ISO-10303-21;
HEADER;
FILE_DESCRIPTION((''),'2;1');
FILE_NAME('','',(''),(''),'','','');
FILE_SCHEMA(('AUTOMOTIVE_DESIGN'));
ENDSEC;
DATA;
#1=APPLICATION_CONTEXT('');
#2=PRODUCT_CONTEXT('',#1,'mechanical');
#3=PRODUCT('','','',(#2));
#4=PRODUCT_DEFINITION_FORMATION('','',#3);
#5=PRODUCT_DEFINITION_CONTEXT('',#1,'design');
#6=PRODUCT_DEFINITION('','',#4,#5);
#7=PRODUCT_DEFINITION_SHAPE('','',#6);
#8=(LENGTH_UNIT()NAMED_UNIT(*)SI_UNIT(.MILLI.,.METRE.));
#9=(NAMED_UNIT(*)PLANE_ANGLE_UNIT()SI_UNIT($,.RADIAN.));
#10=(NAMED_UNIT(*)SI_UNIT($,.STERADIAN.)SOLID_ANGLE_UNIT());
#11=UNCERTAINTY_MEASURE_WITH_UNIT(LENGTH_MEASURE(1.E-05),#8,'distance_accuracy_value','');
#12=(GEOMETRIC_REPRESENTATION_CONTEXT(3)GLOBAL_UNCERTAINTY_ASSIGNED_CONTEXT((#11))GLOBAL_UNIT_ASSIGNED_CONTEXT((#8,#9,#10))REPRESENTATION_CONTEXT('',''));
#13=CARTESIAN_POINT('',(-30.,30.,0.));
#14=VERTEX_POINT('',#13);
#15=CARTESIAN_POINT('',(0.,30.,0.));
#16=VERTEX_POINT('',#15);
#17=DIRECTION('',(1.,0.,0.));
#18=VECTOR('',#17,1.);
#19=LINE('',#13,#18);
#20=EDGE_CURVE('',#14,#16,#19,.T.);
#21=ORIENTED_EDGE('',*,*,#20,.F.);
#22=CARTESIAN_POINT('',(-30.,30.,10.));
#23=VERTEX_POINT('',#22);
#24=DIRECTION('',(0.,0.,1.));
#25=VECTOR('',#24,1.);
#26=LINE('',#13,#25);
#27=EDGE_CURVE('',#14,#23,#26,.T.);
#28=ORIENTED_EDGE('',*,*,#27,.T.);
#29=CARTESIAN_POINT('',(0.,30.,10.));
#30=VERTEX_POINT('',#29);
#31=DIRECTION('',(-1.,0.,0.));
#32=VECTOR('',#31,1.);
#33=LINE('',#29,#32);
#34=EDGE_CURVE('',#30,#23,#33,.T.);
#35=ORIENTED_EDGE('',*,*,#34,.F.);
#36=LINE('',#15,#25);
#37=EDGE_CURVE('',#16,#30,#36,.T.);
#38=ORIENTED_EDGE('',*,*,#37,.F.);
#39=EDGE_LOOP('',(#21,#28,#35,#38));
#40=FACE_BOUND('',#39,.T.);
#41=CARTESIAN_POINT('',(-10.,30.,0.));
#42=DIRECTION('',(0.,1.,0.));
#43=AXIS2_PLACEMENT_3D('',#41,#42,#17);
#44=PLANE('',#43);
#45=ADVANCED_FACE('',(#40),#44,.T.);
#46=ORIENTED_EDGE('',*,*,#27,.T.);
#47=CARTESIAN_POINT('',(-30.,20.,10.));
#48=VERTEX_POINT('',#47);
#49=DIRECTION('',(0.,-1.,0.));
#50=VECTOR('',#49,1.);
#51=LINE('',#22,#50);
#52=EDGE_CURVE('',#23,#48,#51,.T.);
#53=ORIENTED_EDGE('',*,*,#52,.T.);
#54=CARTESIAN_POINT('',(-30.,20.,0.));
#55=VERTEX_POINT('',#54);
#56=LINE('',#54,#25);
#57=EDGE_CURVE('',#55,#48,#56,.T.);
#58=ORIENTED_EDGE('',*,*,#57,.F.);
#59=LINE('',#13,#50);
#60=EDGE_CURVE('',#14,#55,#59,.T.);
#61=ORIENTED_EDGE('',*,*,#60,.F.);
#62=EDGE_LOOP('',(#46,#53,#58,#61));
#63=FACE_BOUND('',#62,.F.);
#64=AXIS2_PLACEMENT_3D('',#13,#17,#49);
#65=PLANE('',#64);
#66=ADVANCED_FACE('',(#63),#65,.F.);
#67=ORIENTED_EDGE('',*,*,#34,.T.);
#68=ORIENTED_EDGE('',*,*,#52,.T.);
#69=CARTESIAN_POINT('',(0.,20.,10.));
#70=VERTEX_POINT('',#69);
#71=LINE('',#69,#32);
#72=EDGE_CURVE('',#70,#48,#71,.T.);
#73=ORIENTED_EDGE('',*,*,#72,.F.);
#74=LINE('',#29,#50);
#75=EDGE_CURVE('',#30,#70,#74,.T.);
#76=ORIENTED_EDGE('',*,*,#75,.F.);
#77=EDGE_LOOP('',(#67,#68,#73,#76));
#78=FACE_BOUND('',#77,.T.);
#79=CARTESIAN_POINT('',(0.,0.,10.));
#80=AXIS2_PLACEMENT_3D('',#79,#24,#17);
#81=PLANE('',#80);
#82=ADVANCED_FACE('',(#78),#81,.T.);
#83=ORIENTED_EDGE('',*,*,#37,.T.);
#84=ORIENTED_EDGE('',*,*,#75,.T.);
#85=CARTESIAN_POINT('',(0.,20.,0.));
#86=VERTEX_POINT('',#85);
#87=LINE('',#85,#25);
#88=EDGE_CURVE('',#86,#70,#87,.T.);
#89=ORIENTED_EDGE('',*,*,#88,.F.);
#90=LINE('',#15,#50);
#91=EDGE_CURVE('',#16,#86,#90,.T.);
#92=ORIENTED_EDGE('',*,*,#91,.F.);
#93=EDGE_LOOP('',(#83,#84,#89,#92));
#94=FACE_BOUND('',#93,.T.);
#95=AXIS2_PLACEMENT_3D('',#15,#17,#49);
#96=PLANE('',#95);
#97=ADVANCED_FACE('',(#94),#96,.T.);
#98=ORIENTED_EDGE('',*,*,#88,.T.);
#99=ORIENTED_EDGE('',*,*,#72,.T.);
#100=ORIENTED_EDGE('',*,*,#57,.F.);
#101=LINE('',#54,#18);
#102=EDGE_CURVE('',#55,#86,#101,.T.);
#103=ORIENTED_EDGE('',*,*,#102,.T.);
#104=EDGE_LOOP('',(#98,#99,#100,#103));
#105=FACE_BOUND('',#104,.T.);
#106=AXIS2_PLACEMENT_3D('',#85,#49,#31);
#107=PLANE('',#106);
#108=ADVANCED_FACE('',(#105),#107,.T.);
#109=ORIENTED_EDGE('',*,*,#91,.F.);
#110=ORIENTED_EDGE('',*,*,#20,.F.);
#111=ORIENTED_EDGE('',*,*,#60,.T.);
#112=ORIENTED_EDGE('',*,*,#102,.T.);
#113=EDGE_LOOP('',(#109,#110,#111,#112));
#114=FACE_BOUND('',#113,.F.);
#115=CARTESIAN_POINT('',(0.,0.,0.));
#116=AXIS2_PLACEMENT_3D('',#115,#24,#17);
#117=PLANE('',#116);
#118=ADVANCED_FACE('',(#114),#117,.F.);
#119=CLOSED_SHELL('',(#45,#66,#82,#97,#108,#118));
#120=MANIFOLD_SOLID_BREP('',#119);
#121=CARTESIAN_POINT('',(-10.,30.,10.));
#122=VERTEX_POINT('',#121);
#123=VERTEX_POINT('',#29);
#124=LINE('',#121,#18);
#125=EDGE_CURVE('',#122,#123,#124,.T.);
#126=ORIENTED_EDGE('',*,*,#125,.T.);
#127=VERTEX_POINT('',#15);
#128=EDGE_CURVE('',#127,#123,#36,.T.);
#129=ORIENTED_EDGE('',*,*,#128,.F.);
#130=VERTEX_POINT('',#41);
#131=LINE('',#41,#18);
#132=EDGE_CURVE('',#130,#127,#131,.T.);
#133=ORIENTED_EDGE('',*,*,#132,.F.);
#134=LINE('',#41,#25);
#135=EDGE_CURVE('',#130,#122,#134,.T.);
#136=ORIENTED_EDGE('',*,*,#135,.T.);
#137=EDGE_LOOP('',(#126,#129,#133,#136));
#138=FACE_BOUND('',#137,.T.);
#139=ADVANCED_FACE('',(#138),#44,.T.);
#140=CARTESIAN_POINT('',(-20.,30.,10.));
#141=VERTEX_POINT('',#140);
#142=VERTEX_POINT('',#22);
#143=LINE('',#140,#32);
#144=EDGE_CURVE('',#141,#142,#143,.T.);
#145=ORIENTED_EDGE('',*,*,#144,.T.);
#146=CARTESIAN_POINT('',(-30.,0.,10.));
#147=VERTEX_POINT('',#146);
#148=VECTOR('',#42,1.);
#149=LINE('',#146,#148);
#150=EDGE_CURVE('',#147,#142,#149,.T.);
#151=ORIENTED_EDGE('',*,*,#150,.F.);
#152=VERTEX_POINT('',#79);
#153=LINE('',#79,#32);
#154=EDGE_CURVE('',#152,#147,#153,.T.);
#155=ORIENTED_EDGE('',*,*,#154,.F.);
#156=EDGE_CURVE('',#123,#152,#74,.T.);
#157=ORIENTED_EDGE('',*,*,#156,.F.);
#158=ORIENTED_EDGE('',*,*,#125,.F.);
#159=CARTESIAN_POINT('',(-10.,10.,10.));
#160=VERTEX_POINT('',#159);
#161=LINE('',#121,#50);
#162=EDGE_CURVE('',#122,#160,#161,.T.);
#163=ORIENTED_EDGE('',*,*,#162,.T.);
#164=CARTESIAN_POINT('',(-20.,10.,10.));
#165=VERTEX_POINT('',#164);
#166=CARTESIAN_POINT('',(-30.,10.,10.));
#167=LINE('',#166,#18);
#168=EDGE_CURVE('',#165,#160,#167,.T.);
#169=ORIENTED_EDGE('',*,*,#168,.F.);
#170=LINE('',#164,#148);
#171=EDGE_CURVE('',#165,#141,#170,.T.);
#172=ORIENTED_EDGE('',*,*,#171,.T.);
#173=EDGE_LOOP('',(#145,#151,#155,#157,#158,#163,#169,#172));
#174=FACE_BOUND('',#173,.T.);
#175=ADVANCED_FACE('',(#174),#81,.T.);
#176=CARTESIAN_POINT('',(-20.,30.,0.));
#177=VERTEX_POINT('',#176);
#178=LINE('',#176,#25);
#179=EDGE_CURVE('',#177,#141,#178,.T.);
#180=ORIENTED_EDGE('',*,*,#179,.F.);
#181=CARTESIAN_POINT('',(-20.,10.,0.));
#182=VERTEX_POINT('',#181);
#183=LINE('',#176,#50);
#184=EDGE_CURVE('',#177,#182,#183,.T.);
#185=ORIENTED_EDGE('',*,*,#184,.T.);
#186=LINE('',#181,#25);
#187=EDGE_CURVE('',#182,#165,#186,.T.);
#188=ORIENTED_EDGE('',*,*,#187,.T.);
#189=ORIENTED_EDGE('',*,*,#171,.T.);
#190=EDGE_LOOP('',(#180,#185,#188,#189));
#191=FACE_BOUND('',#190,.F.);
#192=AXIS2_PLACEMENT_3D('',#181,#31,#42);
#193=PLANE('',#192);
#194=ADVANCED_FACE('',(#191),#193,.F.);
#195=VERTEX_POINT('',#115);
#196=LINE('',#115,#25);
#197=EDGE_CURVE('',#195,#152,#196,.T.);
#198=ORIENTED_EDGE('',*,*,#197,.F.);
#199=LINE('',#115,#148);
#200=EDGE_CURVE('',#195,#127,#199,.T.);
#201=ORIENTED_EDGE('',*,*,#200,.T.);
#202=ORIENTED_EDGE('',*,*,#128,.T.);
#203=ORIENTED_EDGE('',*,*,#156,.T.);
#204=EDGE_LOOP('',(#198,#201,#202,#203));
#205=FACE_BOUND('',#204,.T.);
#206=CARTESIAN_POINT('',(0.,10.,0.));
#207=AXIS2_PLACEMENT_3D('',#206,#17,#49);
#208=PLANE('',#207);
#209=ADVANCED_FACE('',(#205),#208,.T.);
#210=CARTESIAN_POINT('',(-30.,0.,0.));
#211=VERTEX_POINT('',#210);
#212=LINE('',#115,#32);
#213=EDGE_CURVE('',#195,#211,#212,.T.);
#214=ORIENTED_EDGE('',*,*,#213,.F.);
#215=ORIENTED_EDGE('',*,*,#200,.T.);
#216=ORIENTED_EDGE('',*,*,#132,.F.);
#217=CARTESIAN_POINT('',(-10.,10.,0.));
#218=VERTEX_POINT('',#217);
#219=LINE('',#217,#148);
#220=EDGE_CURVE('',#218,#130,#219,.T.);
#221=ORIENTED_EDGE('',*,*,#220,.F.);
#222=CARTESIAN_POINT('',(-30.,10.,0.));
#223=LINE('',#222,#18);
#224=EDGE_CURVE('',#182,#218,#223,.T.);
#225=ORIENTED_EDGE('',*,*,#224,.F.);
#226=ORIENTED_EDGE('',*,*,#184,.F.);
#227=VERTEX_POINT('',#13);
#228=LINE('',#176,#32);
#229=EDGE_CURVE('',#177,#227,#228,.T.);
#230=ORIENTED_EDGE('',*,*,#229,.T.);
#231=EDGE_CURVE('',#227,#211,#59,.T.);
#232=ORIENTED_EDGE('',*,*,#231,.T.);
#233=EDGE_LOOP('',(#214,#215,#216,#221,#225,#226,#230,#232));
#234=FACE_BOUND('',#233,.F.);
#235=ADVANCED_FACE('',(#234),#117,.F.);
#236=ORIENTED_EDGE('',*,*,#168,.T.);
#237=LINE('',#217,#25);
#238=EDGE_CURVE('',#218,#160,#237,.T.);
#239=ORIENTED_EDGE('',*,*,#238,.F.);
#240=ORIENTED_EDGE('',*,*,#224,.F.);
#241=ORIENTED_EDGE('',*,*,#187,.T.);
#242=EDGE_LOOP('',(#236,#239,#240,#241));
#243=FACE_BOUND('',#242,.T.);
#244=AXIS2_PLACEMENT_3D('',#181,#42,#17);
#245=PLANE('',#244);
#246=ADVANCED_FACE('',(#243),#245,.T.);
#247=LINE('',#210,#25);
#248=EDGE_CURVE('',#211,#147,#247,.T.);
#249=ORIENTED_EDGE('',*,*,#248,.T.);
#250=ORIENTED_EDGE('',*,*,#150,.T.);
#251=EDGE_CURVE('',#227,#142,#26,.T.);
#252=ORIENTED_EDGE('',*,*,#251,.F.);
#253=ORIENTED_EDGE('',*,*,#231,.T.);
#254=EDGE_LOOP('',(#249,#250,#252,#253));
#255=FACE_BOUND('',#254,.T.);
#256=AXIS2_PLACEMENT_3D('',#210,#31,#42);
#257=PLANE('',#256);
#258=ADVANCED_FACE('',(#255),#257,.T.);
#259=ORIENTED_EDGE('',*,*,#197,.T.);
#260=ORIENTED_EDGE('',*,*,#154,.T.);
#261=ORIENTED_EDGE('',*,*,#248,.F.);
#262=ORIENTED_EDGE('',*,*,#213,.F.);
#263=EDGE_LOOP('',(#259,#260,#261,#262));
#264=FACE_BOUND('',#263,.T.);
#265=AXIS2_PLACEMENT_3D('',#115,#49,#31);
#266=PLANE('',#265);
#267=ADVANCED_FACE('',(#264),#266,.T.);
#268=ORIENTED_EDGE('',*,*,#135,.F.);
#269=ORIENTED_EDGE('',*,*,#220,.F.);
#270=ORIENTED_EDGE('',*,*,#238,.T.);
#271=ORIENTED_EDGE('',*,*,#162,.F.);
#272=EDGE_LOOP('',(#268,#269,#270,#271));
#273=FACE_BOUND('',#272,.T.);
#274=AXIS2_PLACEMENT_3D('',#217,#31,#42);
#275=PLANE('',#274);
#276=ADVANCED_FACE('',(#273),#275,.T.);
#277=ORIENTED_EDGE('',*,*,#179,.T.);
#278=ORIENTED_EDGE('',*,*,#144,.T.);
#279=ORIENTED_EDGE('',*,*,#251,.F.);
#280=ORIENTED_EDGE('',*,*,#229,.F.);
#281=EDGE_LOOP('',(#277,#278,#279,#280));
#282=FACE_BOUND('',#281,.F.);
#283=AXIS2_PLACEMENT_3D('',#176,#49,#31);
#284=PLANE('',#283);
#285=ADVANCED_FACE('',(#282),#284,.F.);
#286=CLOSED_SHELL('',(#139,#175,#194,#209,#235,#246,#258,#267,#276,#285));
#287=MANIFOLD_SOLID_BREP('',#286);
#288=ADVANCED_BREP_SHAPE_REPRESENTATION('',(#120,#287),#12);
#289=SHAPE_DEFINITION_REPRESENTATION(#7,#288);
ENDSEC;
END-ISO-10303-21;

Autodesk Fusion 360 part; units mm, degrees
sketch "Sketch1" plane through (0, 0, 0) normal (0, 0, 1) x (1, 0, 0)
  line L0 (0, 0) -> (-30, 0)
  line L1 (-30, 0) -> (-30, 10)
  line L2 (-30, 10) -> (0, 10)
  line L3 (0, 10) -> (0, 0)
  line L4 (-30, 10) -> (-20, 10)
  line L5 (-20, 10) -> (-20, 30)
  line L6 (-20, 30) -> (-30, 30)
  line L7 (-30, 30) -> (-30, 10)
  line L8 (0, 10) -> (-10, 10)
  line L9 (-10, 10) -> (-10, 30)
  line L10 (-10, 30) -> (0, 30)
  line L11 (0, 30) -> (0, 10)
  line L12 (-30, 30) -> (0, 30)
  line L13 (0, 30) -> (0, 20)
  line L14 (0, 20) -> (-30, 20)
  line L15 (-30, 20) -> (-30, 30)
extrude "Extrude1" add sketch "Sketch1" along normal blind 10 contours L0 L1 L2 L3 L4 L8 | L2 L8 L9 L11 L14 | L2 L4 L5 L7 L14 | L9 L10 L11 L12 L13 L14 | L5 L6 L7 L12 L14 L15 makes body 1
extrude "Extrude1'" add sketch "Sketch1" along normal blind 10 separate body contours L9 L10 L11 L12 L13 L14 | L5 L6 L7 L12 L14 L15 | L5 L9 L12 L14 makes body 2 in component "Tool"
component "Tool" placed x (1, 0, 0) y (0, 1, 0) z (0, 0, 1) at (0, 0, 0)
